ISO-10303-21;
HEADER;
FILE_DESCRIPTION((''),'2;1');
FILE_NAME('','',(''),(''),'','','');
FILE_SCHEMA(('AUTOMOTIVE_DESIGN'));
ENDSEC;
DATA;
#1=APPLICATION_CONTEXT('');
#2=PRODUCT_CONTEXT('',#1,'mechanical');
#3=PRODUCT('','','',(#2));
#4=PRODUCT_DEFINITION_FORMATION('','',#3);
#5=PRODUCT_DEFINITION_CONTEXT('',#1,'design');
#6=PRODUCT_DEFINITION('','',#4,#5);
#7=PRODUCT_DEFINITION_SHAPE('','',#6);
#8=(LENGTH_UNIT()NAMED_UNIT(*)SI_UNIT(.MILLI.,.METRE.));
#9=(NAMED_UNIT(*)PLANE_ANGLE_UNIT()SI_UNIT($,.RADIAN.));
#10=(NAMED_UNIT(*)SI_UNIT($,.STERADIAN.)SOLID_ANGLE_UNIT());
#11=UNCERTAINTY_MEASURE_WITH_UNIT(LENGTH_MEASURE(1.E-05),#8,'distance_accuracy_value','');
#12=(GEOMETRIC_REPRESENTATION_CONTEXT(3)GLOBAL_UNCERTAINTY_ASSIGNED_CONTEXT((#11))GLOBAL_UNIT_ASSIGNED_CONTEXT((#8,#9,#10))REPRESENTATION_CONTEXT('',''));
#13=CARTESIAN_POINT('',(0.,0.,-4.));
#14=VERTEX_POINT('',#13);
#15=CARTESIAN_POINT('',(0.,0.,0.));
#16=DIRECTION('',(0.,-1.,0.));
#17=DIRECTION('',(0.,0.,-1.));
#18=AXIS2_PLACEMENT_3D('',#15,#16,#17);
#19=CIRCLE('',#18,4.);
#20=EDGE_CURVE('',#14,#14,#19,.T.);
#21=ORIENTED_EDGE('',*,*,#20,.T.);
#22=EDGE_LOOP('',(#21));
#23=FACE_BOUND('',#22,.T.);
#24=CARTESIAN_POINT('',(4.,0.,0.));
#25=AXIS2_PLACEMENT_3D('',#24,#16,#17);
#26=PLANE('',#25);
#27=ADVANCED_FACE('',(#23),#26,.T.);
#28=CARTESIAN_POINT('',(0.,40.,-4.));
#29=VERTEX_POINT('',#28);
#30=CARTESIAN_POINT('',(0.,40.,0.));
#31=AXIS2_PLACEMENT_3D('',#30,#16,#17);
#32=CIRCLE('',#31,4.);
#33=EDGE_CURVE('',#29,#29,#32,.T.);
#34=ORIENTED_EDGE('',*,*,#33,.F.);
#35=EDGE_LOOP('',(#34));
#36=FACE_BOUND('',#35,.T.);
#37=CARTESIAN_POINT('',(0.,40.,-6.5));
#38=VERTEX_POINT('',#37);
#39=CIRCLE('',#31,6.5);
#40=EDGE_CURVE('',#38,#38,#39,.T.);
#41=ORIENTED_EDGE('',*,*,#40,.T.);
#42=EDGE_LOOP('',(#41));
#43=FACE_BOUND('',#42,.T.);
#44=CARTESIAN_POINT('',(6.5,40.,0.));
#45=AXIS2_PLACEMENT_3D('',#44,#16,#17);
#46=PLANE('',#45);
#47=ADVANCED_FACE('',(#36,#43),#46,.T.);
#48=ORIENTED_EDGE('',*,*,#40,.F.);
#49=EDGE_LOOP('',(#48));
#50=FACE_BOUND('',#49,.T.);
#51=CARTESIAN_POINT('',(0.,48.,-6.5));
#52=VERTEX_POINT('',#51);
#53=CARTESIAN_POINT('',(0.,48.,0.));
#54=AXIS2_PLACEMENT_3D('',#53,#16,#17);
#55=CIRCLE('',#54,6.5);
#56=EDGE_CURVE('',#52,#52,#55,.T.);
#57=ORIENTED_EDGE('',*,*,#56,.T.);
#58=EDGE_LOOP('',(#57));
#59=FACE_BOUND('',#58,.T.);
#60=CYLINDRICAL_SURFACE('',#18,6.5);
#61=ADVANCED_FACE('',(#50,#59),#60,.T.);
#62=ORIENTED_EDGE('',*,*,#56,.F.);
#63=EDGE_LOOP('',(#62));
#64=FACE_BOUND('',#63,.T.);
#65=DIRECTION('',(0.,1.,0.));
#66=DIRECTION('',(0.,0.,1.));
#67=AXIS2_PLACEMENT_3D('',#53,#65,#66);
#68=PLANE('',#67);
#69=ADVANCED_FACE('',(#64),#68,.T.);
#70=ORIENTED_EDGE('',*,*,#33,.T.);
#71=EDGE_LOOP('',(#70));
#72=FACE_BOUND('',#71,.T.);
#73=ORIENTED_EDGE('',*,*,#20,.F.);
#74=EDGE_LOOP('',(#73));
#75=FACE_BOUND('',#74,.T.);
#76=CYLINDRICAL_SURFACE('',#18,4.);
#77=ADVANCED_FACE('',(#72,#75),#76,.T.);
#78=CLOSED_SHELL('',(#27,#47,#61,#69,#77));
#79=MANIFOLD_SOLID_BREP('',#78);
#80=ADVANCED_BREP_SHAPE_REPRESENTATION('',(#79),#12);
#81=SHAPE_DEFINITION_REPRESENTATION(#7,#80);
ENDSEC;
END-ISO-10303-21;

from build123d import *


with BuildPart() as part:
    # Sketch1 → Revolve1 (revolve)
    with BuildSketch(Plane.XY, mode=Mode.PRIVATE) as revolve1_sk:
        Polygon((0, 0), (0, 48), (6.5, 48), (6.5, 40), (4, 40), (4, 0), align=None)
    revolve(revolve1_sk.sketch.rotate(Axis((0, 0, 0), (0, 1, 0)), 90), axis=Axis((0, 0, 0), (0, 1, 0)))


solid = part.part
